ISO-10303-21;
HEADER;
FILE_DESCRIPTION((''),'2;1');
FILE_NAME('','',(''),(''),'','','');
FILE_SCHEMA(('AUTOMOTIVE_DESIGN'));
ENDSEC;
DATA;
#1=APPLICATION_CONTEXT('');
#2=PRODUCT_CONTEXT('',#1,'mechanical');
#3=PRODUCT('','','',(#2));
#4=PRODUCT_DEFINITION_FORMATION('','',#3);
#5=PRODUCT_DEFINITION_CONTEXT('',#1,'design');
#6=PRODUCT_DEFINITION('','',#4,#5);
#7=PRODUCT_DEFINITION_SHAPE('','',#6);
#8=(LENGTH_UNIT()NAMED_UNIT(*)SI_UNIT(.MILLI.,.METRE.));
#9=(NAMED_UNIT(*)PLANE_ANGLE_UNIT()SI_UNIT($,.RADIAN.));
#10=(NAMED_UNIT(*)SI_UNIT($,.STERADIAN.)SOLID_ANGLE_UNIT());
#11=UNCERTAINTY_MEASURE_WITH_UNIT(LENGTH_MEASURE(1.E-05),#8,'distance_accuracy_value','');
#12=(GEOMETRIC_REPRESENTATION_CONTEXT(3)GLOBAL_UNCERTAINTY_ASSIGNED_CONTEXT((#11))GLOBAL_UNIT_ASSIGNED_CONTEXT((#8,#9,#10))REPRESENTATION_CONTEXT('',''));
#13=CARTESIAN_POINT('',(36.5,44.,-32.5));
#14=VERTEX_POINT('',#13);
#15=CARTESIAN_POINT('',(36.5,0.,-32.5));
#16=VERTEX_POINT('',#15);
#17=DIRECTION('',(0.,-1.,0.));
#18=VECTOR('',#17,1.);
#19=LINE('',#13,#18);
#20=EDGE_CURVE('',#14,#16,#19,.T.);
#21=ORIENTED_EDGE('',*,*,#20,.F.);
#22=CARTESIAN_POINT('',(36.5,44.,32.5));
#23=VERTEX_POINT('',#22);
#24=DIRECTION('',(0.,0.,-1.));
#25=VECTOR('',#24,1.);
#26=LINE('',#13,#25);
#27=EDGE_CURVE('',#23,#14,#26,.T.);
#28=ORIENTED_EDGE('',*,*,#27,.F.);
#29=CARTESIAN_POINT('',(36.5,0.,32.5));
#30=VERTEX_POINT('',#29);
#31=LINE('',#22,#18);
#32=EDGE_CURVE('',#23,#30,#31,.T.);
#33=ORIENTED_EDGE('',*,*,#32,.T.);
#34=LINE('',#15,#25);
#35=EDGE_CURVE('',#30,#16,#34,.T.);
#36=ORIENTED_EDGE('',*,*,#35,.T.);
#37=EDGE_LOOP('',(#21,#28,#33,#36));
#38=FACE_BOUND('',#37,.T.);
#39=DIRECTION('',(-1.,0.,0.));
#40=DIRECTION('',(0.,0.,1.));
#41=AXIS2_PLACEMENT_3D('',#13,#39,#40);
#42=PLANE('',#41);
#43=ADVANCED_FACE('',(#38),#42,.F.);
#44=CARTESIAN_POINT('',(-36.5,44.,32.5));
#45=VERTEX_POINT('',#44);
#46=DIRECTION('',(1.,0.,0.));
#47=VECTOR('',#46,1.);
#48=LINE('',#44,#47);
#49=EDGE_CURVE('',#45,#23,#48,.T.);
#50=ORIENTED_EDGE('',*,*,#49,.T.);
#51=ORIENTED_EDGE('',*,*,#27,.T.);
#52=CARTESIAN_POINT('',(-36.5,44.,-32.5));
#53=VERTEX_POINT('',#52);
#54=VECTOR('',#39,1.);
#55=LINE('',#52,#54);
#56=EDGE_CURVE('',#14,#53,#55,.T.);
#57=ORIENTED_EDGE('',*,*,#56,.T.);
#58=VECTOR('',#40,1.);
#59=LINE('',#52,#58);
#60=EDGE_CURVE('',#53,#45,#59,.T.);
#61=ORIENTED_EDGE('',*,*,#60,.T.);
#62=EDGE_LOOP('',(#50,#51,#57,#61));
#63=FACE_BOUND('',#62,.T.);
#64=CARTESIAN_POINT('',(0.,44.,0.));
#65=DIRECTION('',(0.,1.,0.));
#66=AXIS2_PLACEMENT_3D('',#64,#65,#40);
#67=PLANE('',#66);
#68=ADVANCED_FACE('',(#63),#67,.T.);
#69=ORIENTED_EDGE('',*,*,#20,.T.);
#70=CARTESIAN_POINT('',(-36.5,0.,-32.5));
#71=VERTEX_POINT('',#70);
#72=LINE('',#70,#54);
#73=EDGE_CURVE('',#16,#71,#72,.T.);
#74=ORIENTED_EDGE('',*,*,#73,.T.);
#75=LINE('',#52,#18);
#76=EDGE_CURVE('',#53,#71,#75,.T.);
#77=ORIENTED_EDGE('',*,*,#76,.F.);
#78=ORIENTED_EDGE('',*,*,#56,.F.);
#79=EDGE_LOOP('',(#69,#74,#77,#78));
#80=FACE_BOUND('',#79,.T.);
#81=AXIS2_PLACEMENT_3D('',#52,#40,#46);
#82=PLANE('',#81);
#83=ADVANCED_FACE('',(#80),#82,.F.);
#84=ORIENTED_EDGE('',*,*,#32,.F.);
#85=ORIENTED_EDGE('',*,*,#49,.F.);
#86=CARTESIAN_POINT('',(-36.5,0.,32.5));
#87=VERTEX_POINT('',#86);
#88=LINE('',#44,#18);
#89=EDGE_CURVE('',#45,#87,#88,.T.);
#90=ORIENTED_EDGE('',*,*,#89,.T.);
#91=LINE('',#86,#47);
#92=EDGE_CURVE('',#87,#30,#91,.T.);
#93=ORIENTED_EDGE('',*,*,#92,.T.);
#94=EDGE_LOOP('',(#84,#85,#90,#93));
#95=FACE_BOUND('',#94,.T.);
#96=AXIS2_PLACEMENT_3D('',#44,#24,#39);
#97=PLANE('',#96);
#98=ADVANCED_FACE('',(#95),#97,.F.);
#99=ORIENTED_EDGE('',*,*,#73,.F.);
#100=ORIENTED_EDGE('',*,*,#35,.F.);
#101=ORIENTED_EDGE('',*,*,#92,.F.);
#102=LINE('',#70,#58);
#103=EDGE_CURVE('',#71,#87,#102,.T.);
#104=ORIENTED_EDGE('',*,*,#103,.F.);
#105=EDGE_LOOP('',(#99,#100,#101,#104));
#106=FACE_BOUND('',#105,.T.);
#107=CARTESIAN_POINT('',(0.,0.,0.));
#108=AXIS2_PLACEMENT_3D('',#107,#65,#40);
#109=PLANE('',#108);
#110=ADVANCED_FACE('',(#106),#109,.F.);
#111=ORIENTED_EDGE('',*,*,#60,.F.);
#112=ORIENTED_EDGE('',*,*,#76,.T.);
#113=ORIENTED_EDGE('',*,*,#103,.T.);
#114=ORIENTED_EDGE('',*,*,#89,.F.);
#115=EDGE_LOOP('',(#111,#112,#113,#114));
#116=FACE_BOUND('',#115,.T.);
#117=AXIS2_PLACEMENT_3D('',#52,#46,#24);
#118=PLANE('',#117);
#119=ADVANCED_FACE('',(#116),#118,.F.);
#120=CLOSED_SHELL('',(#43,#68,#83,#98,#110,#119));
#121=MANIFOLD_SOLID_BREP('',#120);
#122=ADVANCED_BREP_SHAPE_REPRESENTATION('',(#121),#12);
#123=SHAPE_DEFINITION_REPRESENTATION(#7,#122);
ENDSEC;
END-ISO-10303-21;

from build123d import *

# Parameters (mm, degrees)
SKETCH_1_W      = 73
SKETCH_1_H      = 65
EXTRUDE_1_DEPTH = 44


with BuildPart() as part:
    # 草图1 → 凸台-拉伸1 (new body)
    with BuildSketch(Plane(origin=(0, 0, 0), x_dir=(1, 0, 0), z_dir=(0, 1, 0))):
        Rectangle(SKETCH_1_W, SKETCH_1_H)
    extrude(amount=EXTRUDE_1_DEPTH)


solid = part.part
